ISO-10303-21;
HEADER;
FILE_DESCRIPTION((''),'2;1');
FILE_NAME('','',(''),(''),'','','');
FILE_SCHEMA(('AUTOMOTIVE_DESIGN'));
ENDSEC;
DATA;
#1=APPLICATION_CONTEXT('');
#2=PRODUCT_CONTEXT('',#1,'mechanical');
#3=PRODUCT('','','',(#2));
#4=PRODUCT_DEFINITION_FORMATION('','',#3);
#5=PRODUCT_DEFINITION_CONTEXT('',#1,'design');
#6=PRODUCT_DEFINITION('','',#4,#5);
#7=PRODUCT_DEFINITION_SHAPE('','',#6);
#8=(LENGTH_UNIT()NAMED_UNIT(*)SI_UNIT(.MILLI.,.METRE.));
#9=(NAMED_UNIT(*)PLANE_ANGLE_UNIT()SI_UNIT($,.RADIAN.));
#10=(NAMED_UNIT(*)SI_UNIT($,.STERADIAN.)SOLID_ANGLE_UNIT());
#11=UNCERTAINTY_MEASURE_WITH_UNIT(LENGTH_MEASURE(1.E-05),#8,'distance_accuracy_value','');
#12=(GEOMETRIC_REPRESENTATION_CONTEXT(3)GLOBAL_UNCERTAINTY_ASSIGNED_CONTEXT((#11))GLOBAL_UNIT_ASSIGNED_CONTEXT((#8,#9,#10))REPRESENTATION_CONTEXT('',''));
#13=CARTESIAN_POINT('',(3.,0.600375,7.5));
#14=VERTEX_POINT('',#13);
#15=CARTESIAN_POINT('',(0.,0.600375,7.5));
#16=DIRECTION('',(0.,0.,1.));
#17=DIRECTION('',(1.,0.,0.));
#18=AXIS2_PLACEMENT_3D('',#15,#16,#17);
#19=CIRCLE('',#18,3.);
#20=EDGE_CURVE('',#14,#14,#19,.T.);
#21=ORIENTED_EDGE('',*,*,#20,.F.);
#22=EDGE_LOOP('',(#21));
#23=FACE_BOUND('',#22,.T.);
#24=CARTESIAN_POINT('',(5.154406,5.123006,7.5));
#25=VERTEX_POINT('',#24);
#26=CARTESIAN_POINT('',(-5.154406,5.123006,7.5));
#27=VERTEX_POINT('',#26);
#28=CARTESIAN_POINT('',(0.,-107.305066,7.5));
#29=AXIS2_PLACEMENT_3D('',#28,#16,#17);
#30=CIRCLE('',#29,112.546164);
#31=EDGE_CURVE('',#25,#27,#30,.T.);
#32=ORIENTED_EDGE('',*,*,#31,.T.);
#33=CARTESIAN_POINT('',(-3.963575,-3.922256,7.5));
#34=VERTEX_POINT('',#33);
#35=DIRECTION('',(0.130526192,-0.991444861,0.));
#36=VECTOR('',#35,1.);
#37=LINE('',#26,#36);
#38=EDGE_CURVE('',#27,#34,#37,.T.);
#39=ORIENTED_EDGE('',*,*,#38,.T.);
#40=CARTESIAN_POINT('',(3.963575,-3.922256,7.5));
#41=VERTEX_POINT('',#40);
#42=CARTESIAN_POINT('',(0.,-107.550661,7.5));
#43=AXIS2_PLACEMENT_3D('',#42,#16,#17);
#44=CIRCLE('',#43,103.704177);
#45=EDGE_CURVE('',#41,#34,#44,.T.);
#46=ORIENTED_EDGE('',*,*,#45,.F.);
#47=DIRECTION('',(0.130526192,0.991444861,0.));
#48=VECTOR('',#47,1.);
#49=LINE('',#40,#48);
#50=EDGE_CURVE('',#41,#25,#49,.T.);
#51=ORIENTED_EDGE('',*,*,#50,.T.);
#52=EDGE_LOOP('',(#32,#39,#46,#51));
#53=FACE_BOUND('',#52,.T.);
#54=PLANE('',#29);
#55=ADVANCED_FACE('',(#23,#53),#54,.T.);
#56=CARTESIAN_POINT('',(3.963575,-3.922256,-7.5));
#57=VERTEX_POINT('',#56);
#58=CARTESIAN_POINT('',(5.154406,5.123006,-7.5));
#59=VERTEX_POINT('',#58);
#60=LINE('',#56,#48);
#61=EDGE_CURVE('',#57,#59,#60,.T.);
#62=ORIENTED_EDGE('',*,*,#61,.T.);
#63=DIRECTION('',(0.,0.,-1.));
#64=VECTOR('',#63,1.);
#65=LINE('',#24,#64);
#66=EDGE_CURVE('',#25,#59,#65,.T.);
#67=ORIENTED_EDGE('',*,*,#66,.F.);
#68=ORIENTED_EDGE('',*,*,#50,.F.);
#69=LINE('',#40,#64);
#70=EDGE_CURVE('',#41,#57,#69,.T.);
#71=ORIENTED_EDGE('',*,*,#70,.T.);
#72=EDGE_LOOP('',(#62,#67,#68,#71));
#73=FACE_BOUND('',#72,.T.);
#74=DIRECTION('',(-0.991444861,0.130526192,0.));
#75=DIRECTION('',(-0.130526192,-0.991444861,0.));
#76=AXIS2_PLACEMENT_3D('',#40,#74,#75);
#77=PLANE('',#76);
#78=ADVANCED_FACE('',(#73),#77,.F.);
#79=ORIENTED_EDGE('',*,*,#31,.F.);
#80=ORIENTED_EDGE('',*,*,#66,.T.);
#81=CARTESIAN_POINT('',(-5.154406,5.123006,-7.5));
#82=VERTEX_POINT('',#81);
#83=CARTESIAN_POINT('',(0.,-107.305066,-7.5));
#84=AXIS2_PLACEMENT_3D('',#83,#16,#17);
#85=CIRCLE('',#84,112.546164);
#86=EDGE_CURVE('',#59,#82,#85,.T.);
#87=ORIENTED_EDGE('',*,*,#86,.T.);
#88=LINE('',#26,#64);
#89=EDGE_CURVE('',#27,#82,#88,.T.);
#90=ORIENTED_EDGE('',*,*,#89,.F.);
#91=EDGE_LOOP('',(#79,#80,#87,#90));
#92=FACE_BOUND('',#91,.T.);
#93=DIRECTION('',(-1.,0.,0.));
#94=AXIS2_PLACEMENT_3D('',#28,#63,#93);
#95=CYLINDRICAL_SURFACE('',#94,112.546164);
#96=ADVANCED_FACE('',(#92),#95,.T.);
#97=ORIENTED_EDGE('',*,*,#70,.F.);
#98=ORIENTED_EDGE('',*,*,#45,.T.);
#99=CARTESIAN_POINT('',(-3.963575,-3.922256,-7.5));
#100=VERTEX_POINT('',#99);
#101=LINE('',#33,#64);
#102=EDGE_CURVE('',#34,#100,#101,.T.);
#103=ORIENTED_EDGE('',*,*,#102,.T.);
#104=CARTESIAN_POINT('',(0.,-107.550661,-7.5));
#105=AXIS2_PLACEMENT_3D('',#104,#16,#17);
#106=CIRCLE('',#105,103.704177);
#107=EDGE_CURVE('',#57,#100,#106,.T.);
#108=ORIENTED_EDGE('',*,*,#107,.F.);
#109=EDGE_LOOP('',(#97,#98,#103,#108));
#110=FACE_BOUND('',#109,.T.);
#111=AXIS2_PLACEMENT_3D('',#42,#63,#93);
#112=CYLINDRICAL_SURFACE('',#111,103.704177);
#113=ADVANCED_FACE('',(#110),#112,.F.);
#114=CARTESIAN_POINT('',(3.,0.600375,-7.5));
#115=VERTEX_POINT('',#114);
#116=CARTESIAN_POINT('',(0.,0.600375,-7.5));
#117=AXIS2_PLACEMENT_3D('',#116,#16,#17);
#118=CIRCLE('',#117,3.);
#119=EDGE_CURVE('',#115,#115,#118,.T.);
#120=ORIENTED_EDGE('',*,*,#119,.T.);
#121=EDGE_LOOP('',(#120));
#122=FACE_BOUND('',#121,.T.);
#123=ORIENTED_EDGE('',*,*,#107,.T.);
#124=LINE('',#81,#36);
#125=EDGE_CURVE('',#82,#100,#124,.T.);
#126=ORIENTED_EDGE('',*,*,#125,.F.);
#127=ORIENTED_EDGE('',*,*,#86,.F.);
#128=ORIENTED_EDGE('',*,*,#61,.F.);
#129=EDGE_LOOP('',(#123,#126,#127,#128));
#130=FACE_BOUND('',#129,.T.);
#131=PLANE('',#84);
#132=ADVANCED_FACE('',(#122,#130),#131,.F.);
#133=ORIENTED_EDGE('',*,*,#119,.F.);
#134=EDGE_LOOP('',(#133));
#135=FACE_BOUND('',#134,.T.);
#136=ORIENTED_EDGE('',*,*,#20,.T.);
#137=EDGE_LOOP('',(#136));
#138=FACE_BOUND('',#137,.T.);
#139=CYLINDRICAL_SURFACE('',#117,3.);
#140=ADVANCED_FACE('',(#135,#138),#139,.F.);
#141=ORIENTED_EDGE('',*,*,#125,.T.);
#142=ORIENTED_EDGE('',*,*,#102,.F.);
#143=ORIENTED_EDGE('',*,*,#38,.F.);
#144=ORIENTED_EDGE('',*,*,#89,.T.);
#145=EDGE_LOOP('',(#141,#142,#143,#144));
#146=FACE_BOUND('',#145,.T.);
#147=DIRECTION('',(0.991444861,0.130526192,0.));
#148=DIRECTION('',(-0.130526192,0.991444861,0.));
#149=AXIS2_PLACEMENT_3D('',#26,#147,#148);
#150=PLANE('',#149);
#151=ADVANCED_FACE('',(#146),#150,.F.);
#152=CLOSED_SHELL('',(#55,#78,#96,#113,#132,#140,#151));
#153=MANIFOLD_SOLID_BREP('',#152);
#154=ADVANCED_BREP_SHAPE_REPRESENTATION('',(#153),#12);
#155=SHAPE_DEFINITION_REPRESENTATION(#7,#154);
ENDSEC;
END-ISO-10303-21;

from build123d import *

# Parameters (mm, degrees)
BOSS_EXTRUDE1_DEPTH = 7.5
SKETCH2_R           = 3
CUT_EXTRUDE1_DEPTH  = 15


with BuildPart() as part:
    # Sketch1 → Boss-Extrude1 (new, symmetric)
    with BuildSketch(Plane(origin=(0, 0, 0), x_dir=(-1, 0, 0), z_dir=(0, 0, 1))):
        with BuildLine():
            Line((5.154406377, -5.123005585), (3.963575151, 3.922255592))
            ThreePointArc((3.963575151, 3.922255592), (0, 3.846483961), (-3.963575151, 3.922255592))
            Line((-3.963575151, 3.922255592), (-5.154406377, -5.123005585))
            ThreePointArc((-5.154406377, -5.123005585), (0, -5.241098686), (5.154406377, -5.123005585))
        make_face()
    extrude(amount=BOSS_EXTRUDE1_DEPTH, both=True)

    # Sketch2 → Cut-Extrude1 (cut)
    with BuildSketch(Plane.XY.offset(7.5)):
        with Locations((0, 0.600374996)):
            Circle(SKETCH2_R)
    extrude(amount=-CUT_EXTRUDE1_DEPTH, mode=Mode.SUBTRACT)


solid = part.part
